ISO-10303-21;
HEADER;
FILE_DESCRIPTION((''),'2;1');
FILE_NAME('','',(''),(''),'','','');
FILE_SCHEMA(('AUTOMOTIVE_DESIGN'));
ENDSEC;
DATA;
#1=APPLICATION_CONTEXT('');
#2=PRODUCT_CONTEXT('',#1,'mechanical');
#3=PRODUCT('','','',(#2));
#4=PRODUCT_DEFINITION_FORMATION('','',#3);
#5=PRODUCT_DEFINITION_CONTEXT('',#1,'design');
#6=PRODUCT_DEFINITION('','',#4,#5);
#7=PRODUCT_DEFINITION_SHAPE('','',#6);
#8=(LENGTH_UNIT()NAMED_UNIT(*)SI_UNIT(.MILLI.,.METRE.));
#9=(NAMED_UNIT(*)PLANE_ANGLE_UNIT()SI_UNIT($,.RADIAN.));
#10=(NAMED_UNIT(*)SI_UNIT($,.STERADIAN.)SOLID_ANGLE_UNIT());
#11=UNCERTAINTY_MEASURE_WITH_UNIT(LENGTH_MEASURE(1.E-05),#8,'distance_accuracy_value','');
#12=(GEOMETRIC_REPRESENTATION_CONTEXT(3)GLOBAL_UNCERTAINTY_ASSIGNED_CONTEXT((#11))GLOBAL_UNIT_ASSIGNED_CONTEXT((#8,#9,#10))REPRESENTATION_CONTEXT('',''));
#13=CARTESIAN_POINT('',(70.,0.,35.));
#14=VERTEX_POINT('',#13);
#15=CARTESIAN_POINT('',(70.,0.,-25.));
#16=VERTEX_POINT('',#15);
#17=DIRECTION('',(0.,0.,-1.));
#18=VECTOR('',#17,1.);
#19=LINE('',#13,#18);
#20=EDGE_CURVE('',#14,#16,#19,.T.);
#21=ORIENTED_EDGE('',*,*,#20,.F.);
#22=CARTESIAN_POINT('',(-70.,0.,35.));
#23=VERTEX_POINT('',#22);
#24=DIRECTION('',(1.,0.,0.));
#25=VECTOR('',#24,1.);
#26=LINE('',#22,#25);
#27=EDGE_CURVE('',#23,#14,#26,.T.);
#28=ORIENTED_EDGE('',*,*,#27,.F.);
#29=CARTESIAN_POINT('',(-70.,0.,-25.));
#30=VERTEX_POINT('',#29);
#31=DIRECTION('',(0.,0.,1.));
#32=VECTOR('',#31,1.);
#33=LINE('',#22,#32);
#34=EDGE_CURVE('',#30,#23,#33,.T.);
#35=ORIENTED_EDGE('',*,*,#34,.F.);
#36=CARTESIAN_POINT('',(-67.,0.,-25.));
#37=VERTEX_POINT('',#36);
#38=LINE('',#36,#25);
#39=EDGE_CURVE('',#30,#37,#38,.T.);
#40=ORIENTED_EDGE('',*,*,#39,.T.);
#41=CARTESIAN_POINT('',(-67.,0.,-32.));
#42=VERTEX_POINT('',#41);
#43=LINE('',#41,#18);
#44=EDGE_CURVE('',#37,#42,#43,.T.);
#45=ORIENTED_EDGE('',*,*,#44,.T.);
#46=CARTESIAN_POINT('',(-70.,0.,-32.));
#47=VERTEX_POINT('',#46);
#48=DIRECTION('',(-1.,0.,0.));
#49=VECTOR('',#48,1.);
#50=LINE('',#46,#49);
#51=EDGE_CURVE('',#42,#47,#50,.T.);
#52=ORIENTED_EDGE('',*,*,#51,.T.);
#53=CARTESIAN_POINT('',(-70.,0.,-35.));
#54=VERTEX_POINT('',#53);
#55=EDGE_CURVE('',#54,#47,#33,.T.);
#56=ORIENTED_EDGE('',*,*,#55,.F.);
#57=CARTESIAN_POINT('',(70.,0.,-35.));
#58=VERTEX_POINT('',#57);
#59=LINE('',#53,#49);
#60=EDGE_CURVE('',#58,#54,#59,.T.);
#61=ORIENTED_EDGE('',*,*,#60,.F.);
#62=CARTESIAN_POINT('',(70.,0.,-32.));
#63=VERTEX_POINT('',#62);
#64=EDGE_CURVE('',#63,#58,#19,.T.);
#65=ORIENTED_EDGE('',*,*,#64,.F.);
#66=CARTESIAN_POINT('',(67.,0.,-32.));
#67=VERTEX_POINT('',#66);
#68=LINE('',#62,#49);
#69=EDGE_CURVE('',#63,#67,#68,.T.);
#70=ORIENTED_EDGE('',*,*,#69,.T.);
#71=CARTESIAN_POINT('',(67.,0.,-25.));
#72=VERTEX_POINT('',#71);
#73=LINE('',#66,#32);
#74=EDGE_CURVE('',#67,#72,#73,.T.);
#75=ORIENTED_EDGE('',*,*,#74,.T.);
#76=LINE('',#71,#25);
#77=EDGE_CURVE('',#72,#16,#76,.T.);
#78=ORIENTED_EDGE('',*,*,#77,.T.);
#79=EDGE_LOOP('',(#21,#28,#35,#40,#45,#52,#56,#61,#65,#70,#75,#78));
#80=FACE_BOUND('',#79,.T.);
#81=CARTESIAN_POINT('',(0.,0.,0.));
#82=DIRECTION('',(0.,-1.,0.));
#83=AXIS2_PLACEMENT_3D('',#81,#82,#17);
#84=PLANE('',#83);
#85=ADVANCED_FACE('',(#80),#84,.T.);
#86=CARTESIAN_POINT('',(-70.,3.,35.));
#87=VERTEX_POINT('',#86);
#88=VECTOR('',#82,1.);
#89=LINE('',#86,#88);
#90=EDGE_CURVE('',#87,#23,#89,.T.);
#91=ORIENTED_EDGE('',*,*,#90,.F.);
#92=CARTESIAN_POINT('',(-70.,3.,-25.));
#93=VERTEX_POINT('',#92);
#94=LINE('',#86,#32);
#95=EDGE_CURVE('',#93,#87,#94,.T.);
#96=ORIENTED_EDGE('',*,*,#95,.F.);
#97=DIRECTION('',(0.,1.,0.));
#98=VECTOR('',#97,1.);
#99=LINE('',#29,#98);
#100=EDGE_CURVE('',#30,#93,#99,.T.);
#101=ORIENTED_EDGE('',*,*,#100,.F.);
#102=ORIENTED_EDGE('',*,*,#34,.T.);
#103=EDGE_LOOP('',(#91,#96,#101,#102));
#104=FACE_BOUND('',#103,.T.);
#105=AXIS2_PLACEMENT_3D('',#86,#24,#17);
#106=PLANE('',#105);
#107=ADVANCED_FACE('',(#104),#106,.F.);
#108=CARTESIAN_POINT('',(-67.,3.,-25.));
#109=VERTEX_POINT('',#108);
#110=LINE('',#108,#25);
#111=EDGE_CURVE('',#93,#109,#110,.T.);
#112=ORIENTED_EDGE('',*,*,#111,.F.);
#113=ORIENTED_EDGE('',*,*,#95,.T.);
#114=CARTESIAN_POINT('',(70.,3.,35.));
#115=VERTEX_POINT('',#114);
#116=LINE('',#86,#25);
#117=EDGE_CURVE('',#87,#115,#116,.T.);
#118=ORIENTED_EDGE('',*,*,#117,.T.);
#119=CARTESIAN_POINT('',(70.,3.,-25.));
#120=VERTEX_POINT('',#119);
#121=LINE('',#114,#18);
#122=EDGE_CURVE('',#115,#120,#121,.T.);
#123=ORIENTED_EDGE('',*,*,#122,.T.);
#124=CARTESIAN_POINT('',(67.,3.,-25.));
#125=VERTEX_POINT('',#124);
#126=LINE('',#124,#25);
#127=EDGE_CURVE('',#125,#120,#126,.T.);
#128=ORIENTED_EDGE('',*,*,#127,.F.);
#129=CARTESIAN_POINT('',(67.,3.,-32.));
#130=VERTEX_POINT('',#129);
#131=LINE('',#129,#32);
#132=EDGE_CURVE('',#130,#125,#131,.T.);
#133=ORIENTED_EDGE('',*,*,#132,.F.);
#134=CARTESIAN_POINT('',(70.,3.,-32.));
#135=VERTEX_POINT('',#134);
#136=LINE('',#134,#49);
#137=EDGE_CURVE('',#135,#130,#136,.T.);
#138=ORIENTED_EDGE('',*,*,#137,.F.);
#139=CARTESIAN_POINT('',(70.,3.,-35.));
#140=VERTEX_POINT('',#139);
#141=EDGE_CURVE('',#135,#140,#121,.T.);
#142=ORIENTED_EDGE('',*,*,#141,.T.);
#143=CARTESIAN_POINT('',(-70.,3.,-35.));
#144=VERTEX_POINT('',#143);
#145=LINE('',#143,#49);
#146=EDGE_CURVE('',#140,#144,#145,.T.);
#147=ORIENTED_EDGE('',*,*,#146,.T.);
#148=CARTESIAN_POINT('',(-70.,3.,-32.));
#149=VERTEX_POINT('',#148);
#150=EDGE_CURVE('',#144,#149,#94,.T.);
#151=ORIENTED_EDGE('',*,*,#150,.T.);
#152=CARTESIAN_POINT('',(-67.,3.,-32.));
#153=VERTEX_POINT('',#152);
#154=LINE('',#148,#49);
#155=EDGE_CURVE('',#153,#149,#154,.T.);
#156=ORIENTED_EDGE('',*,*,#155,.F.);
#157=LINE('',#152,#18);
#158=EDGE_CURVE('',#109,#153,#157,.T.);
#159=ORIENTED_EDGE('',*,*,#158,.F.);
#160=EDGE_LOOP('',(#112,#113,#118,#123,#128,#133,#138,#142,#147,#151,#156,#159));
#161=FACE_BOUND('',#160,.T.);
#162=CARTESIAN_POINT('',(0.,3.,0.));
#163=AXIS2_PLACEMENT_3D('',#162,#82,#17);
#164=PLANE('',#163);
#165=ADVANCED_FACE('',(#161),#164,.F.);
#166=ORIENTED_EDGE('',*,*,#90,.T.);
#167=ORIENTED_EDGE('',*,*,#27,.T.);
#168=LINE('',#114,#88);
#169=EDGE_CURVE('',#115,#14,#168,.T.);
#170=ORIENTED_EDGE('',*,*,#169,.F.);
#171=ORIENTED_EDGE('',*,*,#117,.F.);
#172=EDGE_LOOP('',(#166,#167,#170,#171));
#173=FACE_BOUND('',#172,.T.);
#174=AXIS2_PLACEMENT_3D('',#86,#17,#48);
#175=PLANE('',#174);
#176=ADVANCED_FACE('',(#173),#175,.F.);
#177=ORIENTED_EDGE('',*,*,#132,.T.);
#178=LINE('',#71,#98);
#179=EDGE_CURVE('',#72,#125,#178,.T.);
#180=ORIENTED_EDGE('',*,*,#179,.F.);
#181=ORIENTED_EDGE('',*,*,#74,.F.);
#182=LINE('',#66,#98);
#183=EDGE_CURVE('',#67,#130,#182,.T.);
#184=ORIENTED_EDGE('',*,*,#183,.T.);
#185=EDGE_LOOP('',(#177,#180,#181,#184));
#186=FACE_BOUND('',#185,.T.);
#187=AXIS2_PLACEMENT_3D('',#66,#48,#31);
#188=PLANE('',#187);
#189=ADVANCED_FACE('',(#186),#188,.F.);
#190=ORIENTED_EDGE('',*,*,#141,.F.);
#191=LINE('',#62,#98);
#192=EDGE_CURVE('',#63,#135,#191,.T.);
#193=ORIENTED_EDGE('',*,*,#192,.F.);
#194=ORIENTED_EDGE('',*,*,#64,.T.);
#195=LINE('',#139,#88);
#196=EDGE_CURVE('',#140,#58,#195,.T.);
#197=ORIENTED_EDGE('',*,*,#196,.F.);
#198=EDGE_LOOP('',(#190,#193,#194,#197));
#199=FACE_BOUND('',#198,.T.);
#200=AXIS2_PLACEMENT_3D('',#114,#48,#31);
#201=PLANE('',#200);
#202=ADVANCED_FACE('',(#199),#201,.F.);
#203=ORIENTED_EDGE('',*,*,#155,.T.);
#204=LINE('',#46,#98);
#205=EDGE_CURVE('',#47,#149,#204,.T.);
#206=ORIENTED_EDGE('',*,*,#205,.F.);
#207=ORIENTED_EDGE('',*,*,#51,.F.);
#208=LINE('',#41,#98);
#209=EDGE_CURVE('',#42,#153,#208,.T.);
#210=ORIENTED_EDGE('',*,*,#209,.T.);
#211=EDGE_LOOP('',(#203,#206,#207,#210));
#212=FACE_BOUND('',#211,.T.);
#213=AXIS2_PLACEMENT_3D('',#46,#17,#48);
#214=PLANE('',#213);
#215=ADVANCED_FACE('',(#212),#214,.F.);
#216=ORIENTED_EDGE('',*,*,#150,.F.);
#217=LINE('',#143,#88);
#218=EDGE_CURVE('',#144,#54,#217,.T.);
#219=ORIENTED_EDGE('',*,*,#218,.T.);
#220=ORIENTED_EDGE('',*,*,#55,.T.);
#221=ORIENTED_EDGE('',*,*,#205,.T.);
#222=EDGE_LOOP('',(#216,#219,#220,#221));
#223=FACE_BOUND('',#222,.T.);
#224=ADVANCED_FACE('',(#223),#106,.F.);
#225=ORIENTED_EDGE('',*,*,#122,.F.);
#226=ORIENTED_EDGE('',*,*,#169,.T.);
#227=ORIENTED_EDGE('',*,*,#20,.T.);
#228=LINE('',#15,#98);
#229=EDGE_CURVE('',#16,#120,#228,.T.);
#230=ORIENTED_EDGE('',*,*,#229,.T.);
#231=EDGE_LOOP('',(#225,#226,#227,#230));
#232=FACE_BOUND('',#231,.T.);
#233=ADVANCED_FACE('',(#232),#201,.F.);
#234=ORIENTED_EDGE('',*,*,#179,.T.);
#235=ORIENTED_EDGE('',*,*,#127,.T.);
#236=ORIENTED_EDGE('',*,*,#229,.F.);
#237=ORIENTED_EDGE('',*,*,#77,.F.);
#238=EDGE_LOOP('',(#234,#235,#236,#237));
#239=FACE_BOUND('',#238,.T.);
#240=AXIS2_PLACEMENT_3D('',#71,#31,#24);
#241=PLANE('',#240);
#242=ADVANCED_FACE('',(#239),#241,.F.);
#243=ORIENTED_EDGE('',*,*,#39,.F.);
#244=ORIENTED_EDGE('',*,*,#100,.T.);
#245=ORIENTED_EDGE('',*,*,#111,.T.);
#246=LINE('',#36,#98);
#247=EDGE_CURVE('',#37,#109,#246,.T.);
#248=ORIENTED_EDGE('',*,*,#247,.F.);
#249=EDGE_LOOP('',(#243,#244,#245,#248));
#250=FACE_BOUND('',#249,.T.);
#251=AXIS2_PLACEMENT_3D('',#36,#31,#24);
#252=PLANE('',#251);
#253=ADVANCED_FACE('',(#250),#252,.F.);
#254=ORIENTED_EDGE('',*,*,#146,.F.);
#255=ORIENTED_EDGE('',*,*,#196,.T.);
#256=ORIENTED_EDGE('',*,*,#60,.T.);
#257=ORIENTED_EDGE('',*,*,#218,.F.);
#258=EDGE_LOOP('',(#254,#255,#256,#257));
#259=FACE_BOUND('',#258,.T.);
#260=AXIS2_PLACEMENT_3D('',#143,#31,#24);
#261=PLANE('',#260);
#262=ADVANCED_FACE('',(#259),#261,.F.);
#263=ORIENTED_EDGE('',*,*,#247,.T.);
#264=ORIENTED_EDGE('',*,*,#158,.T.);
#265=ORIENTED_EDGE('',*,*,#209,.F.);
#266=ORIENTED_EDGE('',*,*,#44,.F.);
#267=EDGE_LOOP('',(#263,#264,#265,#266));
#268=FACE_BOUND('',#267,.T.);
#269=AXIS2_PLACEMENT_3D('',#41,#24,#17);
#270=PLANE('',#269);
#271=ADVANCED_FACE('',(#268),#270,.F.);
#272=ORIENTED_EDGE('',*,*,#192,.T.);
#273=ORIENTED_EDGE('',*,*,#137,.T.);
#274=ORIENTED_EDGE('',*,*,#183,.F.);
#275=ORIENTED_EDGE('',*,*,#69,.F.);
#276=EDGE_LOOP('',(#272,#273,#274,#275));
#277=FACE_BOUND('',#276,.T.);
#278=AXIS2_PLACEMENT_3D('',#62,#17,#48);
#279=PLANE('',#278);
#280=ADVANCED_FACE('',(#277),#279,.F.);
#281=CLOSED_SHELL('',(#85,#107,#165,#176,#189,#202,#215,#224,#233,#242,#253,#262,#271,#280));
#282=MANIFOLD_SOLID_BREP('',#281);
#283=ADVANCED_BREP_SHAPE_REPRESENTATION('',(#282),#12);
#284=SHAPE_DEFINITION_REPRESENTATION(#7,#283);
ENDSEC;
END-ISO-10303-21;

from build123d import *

# Parameters (mm, degrees)
SKETCH1_W           = 140
SKETCH1_H           = 70
BOSS_EXTRUDE1_DEPTH = 3
SKETCH2_W           = 3
SKETCH2_H           = 7
CUT_EXTRUDE1_DEPTH  = 3


with BuildPart() as part:
    # Sketch1 → Boss-Extrude1 (new body)
    with BuildSketch(Plane(origin=(0, 0, 0), x_dir=(1, 0, 0), z_dir=(0, 1, 0))):
        Rectangle(SKETCH1_W, SKETCH1_H)
    extrude(amount=BOSS_EXTRUDE1_DEPTH)

    # Sketch2 → Cut-Extrude1 (cut)
    with BuildSketch(Plane(origin=(0, 3, 0), x_dir=(1, 0, 0), z_dir=(0, 1, 0))):
        with Locations((-68.5, 28.5)):
            Rectangle(SKETCH2_W, SKETCH2_H)
        with Locations((68.5, 28.5)):
            Rectangle(SKETCH2_W, SKETCH2_H)
    extrude(amount=-CUT_EXTRUDE1_DEPTH, mode=Mode.SUBTRACT)


solid = part.part
